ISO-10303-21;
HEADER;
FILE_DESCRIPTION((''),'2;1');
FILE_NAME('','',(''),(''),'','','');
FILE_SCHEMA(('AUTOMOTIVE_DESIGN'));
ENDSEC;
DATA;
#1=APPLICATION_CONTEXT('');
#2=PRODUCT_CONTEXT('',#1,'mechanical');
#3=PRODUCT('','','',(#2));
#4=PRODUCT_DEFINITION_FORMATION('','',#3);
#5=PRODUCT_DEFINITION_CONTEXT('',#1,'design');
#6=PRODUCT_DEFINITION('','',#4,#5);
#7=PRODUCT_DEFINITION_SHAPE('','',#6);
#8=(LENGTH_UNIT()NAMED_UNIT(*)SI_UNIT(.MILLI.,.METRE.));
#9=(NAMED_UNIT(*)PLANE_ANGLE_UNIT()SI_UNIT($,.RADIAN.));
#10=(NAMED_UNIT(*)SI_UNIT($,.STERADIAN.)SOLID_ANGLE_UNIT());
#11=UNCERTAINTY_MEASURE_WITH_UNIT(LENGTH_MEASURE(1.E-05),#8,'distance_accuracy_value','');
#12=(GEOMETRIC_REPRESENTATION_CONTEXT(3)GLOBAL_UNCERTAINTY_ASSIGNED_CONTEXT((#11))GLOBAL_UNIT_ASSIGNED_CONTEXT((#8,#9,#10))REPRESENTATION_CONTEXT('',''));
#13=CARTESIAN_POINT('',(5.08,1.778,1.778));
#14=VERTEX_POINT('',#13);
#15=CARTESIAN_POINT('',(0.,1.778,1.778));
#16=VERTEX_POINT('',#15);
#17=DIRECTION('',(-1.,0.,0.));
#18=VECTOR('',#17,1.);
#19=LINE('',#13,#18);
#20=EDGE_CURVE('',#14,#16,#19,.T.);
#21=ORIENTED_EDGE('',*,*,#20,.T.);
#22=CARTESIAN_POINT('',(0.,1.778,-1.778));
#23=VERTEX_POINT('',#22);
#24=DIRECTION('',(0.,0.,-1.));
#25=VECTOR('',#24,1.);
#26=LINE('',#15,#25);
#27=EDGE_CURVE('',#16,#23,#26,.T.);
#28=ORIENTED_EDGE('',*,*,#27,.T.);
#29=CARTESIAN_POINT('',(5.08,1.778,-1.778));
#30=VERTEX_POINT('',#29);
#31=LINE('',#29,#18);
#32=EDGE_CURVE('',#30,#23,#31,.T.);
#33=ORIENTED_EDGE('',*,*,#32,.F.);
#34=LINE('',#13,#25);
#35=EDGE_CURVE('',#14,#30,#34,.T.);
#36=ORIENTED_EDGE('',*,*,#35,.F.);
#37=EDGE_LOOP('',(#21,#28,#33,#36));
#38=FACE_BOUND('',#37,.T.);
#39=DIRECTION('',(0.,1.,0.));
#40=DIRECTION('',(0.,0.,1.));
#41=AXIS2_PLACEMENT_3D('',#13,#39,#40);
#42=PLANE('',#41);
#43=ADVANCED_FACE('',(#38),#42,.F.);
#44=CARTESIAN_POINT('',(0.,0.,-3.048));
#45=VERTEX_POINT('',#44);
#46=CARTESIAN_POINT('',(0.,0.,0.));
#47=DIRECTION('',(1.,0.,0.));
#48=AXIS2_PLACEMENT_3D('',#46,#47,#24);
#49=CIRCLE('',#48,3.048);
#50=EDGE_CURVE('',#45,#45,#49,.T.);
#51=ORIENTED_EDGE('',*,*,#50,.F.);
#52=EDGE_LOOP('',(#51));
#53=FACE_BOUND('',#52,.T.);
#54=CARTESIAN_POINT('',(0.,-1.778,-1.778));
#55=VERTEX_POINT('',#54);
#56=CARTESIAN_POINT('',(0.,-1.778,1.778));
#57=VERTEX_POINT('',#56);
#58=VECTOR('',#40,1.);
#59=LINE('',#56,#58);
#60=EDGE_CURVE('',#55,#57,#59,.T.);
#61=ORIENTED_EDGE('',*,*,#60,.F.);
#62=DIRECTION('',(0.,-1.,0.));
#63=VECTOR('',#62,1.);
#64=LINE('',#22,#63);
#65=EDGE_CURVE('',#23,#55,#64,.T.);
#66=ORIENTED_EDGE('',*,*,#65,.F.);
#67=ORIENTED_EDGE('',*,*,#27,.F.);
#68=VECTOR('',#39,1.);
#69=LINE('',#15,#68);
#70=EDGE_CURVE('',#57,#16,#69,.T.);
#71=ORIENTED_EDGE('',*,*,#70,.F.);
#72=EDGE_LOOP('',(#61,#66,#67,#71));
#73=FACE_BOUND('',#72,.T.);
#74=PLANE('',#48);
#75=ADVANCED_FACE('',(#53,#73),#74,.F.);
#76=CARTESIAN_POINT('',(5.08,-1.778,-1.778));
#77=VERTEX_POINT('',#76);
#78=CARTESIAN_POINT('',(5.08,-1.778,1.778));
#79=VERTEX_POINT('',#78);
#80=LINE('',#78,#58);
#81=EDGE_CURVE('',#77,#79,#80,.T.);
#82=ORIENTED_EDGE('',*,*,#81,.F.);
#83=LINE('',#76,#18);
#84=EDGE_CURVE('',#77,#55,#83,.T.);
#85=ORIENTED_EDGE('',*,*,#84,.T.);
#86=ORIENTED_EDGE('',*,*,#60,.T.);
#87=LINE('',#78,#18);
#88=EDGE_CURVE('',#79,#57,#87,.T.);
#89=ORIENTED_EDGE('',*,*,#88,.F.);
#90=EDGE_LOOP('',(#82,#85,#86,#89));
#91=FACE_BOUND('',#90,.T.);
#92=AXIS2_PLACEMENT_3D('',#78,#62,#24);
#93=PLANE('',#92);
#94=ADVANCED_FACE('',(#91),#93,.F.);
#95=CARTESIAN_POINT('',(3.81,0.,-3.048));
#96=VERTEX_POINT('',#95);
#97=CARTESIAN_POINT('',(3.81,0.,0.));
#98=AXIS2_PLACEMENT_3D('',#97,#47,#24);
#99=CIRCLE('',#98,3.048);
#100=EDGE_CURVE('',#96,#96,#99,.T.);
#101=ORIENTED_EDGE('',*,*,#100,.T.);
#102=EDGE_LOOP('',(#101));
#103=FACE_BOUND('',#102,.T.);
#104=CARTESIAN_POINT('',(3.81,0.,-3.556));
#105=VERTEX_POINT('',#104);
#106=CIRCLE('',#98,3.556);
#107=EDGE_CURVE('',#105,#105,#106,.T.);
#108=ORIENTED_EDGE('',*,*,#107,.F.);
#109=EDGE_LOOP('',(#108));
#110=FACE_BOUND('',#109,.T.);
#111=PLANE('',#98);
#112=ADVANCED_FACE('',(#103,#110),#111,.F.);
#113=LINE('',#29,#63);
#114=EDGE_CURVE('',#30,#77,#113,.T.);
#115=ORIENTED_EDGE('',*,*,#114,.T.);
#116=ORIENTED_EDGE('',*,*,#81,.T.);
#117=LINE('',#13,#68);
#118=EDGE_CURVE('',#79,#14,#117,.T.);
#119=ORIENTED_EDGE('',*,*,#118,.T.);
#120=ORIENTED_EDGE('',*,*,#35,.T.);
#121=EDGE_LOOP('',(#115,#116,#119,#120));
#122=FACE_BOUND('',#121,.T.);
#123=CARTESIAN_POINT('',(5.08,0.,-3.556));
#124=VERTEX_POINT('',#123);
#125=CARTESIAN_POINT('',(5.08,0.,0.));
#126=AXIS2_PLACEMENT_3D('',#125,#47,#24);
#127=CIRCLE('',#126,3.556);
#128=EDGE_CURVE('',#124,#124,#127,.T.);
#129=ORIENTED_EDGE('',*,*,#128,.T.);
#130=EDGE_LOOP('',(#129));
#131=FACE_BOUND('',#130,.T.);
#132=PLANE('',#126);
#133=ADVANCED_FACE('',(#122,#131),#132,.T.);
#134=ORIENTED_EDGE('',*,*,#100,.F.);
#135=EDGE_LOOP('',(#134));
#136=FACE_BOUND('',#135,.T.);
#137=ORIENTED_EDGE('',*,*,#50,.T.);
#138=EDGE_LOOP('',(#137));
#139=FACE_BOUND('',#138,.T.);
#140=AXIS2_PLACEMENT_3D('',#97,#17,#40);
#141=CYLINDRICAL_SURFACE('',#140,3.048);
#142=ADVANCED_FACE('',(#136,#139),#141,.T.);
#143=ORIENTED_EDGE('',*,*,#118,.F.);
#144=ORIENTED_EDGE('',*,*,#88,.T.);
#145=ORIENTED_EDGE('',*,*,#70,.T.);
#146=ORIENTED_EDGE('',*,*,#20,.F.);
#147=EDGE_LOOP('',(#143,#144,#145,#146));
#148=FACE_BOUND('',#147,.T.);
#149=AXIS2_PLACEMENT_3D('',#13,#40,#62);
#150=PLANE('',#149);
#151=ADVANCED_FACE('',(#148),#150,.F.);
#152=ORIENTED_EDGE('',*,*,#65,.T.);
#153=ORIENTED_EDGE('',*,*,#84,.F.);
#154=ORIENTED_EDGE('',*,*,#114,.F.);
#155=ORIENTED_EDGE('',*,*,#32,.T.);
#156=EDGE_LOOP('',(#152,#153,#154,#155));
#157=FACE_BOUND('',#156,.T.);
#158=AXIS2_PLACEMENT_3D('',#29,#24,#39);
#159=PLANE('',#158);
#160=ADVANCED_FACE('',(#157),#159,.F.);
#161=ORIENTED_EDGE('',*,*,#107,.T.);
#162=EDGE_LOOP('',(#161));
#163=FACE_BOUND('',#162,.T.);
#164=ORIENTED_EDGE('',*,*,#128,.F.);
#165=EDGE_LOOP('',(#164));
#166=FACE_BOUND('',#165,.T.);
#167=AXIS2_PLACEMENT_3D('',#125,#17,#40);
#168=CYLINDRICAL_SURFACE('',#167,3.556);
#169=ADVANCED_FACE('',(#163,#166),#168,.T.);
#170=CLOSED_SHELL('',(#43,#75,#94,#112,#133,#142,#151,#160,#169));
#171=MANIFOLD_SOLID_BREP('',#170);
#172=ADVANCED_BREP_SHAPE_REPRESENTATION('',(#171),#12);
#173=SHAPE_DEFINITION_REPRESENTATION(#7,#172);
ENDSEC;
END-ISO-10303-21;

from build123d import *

# Parameters (mm, degrees)
SKETCH2_R           = 3.048
BOSS_EXTRUDE1_DEPTH = 3.81
SKETCH3_R           = 3.556
BOSS_EXTRUDE2_DEPTH = 1.27
SKETCH4_W           = 3.556
SKETCH4_H           = 3.556
CUT_EXTRUDE1_DEPTH  = 6.08


with BuildPart() as part:
    # Sketch2 → Boss-Extrude1 (new body)
    with BuildSketch(Plane(origin=(0, 0, 0), x_dir=(0, 0, -1), z_dir=(1, 0, 0))):
        Circle(SKETCH2_R)
    extrude(amount=BOSS_EXTRUDE1_DEPTH)

    # Sketch3 → Boss-Extrude2 (add)
    with BuildSketch(Plane(origin=(3.81, 0, 0), x_dir=(0, 0, -1), z_dir=(1, 0, 0))):
        Circle(SKETCH3_R)
    extrude(amount=BOSS_EXTRUDE2_DEPTH)

    # Sketch4 → Cut-Extrude1 (cut, through all)
    with BuildSketch(Plane.ZY):
        Rectangle(SKETCH4_W, SKETCH4_H)
    extrude(amount=-CUT_EXTRUDE1_DEPTH, mode=Mode.SUBTRACT)


solid = part.part
